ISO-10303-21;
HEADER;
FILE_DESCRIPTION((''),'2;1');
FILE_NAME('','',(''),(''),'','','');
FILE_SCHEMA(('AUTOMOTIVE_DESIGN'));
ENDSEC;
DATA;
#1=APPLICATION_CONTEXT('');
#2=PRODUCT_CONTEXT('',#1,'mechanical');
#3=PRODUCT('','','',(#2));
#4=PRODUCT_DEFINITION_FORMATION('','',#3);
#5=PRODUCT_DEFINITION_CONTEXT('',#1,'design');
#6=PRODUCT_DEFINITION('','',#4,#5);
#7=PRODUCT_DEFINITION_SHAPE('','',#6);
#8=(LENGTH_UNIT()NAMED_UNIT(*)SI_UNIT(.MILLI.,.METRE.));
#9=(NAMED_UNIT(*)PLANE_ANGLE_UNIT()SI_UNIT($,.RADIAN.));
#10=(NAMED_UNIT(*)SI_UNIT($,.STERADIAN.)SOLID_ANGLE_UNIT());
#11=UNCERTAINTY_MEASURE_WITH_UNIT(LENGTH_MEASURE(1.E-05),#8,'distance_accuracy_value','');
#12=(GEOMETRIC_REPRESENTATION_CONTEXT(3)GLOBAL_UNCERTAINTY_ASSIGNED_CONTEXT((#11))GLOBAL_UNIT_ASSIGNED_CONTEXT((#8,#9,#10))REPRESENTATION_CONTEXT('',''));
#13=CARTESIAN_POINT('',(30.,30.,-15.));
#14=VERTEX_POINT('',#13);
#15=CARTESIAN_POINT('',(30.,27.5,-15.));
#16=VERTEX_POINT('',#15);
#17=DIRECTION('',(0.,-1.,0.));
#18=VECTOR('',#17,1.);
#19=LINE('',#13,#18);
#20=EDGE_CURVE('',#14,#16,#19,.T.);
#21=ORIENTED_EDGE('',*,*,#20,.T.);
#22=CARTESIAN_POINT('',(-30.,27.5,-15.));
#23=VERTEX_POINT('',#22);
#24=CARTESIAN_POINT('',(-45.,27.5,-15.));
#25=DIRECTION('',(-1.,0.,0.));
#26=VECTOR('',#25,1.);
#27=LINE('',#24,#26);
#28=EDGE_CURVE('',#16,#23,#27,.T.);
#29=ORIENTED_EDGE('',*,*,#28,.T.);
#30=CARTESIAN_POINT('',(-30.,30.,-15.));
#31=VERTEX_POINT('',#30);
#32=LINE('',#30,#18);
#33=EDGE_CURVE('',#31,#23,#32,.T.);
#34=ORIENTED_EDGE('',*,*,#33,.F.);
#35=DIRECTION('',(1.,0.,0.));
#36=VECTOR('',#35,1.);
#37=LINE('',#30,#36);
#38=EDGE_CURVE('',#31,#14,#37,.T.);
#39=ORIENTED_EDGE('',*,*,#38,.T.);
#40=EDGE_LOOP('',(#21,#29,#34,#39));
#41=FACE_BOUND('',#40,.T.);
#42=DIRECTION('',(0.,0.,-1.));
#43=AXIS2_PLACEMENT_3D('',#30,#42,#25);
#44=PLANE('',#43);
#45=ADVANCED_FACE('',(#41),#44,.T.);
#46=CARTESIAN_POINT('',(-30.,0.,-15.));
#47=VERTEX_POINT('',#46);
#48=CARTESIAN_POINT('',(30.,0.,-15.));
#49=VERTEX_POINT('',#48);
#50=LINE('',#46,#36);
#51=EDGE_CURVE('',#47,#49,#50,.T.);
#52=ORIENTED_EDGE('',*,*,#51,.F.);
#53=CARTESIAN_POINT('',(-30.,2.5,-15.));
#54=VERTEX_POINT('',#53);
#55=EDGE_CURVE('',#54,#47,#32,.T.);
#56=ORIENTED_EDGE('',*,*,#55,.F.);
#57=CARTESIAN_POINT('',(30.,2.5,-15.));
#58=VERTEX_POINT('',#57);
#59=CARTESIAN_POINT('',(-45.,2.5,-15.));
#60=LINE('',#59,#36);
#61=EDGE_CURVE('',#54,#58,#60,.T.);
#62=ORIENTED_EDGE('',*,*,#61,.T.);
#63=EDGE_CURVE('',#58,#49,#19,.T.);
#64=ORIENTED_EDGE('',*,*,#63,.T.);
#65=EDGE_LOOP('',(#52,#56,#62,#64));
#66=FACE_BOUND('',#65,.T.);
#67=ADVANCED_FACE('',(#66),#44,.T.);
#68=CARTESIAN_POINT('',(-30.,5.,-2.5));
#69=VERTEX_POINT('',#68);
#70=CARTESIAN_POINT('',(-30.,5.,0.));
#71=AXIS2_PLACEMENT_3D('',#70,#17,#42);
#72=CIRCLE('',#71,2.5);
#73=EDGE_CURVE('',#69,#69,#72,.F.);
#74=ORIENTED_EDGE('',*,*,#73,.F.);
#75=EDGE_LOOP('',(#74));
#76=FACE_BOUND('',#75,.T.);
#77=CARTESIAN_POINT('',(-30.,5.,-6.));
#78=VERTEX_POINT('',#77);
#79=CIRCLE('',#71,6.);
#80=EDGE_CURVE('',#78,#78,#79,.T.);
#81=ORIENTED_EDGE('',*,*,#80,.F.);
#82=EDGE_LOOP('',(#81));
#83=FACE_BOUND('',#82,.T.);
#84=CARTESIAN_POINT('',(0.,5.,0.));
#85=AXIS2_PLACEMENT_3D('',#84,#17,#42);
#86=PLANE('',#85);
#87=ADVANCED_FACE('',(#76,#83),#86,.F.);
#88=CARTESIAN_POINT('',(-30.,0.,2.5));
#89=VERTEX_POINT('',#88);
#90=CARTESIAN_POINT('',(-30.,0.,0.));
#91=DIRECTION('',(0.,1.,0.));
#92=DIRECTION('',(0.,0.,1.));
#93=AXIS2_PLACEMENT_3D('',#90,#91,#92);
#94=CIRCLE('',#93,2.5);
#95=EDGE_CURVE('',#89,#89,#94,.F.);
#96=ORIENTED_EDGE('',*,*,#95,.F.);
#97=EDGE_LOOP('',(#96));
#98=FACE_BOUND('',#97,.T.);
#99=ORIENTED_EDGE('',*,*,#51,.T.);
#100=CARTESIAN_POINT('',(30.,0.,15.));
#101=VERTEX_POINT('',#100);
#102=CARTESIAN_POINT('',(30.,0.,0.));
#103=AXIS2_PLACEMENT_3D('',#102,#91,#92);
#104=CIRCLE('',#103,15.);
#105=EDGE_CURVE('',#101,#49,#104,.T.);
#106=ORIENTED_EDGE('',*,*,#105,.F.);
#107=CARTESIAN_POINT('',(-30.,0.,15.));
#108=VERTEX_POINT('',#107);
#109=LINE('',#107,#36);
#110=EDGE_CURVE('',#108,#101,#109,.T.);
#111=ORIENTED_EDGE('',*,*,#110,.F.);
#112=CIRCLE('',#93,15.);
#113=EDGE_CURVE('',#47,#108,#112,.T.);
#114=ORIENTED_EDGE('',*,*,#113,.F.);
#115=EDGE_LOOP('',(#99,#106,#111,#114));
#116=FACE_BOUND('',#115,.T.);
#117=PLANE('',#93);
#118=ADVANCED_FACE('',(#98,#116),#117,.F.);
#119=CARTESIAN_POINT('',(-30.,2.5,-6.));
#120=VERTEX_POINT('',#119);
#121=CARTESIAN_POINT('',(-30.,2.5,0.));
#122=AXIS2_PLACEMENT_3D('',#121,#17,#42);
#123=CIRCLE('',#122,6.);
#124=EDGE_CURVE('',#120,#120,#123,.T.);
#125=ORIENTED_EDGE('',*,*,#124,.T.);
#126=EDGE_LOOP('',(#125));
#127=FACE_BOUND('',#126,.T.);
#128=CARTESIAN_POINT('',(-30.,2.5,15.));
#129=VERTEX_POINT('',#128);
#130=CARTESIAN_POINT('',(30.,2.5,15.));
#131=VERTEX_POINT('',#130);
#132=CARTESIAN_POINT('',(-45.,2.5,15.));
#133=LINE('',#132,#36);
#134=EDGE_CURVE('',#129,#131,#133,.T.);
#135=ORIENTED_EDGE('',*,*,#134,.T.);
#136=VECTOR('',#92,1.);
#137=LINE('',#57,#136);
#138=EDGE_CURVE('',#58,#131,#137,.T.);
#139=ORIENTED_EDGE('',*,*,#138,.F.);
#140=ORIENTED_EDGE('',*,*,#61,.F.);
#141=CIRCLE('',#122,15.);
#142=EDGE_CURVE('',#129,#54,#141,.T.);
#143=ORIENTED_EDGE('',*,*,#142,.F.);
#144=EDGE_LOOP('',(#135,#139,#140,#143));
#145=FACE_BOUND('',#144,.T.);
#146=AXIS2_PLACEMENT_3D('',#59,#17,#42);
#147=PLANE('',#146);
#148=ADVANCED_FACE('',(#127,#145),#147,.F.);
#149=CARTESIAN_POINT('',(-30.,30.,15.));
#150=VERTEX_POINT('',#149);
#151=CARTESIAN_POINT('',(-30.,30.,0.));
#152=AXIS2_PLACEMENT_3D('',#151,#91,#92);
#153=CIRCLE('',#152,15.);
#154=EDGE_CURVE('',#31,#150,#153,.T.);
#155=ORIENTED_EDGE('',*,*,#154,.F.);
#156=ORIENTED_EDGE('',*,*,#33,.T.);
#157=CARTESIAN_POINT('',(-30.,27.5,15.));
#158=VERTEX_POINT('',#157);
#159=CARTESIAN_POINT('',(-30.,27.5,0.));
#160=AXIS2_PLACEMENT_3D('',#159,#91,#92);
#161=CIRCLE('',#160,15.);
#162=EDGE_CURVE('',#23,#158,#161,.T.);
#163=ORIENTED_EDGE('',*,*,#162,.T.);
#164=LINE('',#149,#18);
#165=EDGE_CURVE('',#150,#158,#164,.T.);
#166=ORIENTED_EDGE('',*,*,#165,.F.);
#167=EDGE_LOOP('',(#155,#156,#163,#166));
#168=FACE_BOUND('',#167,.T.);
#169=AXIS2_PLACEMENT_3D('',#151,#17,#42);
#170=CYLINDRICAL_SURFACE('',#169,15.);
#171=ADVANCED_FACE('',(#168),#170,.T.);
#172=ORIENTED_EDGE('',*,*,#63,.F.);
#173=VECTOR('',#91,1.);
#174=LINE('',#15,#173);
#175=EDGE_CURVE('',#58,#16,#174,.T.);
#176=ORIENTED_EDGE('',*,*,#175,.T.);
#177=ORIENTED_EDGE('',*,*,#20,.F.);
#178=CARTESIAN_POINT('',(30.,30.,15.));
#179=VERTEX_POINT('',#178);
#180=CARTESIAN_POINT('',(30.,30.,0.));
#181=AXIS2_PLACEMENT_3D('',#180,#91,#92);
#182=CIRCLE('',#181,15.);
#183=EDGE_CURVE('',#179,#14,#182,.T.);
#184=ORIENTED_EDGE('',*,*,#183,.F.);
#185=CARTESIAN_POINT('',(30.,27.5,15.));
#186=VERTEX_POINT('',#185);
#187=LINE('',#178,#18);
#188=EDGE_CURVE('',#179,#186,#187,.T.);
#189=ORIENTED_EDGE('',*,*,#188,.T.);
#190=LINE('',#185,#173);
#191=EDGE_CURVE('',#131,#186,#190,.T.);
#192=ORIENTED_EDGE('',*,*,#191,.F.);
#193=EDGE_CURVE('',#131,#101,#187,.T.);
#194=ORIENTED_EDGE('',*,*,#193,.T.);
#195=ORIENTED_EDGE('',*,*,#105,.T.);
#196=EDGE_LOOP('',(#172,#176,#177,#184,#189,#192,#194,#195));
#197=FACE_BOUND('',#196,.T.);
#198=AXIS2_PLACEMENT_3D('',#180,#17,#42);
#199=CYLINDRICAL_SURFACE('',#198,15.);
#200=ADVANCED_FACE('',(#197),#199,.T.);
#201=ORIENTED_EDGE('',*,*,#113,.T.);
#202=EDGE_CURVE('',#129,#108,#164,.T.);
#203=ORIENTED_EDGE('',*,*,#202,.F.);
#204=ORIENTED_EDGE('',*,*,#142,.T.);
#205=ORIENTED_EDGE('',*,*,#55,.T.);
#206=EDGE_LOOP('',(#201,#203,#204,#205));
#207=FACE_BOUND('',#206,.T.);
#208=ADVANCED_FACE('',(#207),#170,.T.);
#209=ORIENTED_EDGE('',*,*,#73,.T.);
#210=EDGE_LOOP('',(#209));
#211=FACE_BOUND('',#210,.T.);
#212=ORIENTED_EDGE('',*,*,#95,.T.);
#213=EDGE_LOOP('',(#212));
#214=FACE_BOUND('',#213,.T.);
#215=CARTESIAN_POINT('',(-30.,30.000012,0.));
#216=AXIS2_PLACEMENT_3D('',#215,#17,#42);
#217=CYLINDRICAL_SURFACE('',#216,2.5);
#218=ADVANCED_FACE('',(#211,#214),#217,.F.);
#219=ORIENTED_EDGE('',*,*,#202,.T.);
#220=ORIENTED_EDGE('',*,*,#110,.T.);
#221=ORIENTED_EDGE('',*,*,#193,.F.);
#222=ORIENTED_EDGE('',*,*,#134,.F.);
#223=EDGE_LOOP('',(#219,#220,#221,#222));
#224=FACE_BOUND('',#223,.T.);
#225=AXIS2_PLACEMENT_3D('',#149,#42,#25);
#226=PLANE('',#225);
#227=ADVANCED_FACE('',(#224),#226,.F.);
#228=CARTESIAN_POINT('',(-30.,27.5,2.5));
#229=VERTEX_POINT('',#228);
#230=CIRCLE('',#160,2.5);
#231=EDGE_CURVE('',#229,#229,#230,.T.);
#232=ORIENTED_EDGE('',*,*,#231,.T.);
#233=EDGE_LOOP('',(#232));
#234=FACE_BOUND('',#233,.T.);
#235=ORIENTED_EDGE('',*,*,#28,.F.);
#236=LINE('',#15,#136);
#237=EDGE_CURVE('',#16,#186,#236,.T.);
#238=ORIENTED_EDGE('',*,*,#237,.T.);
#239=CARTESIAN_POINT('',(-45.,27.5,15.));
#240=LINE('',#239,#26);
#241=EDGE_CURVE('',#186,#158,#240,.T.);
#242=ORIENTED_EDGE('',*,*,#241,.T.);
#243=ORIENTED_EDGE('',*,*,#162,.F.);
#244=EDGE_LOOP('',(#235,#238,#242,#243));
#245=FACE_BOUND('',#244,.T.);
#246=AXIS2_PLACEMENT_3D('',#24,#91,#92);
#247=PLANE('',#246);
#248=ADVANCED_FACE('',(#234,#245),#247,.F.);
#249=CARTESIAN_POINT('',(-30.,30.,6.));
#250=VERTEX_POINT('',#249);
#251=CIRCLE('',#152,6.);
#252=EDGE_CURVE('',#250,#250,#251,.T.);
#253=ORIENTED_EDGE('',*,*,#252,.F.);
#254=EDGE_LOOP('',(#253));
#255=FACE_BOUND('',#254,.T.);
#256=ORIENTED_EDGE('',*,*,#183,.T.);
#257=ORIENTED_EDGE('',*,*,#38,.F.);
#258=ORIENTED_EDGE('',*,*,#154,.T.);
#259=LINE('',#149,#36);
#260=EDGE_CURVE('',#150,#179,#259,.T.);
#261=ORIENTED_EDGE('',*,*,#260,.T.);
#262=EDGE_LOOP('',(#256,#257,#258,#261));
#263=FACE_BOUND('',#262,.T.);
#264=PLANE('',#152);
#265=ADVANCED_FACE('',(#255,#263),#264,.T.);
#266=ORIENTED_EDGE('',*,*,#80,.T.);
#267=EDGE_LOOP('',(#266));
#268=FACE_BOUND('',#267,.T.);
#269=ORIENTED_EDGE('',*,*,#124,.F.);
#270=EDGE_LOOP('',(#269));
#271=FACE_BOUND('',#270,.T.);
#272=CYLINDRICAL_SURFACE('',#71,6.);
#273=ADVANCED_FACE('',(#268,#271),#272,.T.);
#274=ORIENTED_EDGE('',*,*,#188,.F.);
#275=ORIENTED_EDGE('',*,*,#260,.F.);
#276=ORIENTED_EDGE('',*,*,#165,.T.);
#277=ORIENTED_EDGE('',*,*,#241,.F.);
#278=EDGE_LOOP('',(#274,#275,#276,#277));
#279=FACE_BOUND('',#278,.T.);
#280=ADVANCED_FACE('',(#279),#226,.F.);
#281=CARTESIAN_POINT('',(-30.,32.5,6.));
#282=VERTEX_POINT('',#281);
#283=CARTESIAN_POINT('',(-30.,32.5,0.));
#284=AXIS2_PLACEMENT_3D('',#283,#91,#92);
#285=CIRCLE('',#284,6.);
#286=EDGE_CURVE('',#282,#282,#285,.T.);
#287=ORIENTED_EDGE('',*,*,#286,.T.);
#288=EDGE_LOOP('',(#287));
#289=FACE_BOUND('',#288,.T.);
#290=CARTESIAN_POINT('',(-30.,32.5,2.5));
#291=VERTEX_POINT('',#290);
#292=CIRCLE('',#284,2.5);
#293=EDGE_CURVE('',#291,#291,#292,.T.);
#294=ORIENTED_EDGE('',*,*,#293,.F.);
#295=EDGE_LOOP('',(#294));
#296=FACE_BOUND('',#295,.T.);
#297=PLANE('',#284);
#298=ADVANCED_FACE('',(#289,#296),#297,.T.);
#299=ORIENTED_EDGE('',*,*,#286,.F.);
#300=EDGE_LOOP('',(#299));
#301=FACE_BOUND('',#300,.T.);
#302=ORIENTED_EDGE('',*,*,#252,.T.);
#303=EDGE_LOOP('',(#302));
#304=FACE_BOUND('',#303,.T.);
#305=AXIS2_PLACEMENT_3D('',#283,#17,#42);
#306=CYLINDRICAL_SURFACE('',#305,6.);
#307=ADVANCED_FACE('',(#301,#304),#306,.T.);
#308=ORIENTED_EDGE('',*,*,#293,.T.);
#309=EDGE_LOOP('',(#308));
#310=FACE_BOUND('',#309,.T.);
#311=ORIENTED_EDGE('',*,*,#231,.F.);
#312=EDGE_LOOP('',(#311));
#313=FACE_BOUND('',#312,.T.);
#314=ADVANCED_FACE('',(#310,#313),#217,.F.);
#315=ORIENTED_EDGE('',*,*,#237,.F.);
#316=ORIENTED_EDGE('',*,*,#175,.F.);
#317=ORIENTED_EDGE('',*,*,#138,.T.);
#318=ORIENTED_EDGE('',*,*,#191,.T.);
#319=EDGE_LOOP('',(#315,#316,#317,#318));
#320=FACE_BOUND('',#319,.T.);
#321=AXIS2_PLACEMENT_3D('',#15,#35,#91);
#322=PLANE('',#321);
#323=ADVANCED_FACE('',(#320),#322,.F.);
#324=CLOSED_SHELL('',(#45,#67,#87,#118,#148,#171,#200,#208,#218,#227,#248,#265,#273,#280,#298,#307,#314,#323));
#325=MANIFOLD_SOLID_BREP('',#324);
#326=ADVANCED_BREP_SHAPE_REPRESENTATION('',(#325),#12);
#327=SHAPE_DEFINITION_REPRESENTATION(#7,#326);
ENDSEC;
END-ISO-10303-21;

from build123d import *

# Parameters (mm, degrees)
BOSS_EXTRUDE1_DEPTH     = 30
SKETCH4_R               = 2.5
CUT_EXTRUDE1_DEPTH      = 1
CUT_EXTRUDE1_DEPTH_BACK = 46
SKETCH6_W               = 75
SKETCH6_H               = 25
CUT_EXTRUDE3_DEPTH      = 31
SKETCH7_R               = 6
SKETCH7_R_2             = 2.5
BOSS_EXTRUDE2_DEPTH     = 2.5
SKETCH8_R               = 6
SKETCH8_R_2             = 2.5
BOSS_EXTRUDE3_DEPTH     = 5


with BuildPart() as part:
    # Sketch1 → Boss-Extrude1 (new body)
    with BuildSketch(Plane(origin=(0, 0, 0), x_dir=(1, 0, 0), z_dir=(0, 1, 0))):
        with BuildLine():
            Line((-30, 15), (30, 15))
            ThreePointArc((30, 15), (45, 0), (30, -15))
            Line((30, -15), (-30, -15))
            ThreePointArc((-30, -15), (-45, 0), (-30, 15))
        make_face()
    extrude(amount=BOSS_EXTRUDE1_DEPTH)

    # Sketch4 → Cut-Extrude1 (cut, two sides)
    with BuildSketch(Plane(origin=(0, 30, 0), x_dir=(1, 0, 0), z_dir=(0, 1, 0))) as cut_extrude1_sk:
        with Locations((-30, 0)):
            Circle(SKETCH4_R)
    extrude(amount=CUT_EXTRUDE1_DEPTH, mode=Mode.SUBTRACT)
    extrude(cut_extrude1_sk.sketch, amount=-CUT_EXTRUDE1_DEPTH_BACK, mode=Mode.SUBTRACT)

    # Sketch6 → Cut-Extrude3 (cut, through all)
    with BuildSketch(Plane.XY.offset(15)):
        with Locations((-7.5, 15)):
            Rectangle(SKETCH6_W, SKETCH6_H)
    extrude(amount=-CUT_EXTRUDE3_DEPTH, mode=Mode.SUBTRACT)

    # Sketch7 → Boss-Extrude2 (add)
    with BuildSketch(Plane(origin=(0, 30, 0), x_dir=(1, 0, 0), z_dir=(0, 1, 0))):
        with Locations((-30, 0)):
            Circle(SKETCH7_R)
        with Locations((-30, 0)):
            Circle(SKETCH7_R_2, mode=Mode.SUBTRACT)
    extrude(amount=BOSS_EXTRUDE2_DEPTH)

    # Sketch8 → Boss-Extrude3 (add)
    with BuildSketch(Plane.XZ):
        with Locations((-30, 0)):
            Circle(SKETCH8_R)
        with Locations((-30, 0)):
            Circle(SKETCH8_R_2, mode=Mode.SUBTRACT)
    extrude(amount=-BOSS_EXTRUDE3_DEPTH)


solid = part.part
